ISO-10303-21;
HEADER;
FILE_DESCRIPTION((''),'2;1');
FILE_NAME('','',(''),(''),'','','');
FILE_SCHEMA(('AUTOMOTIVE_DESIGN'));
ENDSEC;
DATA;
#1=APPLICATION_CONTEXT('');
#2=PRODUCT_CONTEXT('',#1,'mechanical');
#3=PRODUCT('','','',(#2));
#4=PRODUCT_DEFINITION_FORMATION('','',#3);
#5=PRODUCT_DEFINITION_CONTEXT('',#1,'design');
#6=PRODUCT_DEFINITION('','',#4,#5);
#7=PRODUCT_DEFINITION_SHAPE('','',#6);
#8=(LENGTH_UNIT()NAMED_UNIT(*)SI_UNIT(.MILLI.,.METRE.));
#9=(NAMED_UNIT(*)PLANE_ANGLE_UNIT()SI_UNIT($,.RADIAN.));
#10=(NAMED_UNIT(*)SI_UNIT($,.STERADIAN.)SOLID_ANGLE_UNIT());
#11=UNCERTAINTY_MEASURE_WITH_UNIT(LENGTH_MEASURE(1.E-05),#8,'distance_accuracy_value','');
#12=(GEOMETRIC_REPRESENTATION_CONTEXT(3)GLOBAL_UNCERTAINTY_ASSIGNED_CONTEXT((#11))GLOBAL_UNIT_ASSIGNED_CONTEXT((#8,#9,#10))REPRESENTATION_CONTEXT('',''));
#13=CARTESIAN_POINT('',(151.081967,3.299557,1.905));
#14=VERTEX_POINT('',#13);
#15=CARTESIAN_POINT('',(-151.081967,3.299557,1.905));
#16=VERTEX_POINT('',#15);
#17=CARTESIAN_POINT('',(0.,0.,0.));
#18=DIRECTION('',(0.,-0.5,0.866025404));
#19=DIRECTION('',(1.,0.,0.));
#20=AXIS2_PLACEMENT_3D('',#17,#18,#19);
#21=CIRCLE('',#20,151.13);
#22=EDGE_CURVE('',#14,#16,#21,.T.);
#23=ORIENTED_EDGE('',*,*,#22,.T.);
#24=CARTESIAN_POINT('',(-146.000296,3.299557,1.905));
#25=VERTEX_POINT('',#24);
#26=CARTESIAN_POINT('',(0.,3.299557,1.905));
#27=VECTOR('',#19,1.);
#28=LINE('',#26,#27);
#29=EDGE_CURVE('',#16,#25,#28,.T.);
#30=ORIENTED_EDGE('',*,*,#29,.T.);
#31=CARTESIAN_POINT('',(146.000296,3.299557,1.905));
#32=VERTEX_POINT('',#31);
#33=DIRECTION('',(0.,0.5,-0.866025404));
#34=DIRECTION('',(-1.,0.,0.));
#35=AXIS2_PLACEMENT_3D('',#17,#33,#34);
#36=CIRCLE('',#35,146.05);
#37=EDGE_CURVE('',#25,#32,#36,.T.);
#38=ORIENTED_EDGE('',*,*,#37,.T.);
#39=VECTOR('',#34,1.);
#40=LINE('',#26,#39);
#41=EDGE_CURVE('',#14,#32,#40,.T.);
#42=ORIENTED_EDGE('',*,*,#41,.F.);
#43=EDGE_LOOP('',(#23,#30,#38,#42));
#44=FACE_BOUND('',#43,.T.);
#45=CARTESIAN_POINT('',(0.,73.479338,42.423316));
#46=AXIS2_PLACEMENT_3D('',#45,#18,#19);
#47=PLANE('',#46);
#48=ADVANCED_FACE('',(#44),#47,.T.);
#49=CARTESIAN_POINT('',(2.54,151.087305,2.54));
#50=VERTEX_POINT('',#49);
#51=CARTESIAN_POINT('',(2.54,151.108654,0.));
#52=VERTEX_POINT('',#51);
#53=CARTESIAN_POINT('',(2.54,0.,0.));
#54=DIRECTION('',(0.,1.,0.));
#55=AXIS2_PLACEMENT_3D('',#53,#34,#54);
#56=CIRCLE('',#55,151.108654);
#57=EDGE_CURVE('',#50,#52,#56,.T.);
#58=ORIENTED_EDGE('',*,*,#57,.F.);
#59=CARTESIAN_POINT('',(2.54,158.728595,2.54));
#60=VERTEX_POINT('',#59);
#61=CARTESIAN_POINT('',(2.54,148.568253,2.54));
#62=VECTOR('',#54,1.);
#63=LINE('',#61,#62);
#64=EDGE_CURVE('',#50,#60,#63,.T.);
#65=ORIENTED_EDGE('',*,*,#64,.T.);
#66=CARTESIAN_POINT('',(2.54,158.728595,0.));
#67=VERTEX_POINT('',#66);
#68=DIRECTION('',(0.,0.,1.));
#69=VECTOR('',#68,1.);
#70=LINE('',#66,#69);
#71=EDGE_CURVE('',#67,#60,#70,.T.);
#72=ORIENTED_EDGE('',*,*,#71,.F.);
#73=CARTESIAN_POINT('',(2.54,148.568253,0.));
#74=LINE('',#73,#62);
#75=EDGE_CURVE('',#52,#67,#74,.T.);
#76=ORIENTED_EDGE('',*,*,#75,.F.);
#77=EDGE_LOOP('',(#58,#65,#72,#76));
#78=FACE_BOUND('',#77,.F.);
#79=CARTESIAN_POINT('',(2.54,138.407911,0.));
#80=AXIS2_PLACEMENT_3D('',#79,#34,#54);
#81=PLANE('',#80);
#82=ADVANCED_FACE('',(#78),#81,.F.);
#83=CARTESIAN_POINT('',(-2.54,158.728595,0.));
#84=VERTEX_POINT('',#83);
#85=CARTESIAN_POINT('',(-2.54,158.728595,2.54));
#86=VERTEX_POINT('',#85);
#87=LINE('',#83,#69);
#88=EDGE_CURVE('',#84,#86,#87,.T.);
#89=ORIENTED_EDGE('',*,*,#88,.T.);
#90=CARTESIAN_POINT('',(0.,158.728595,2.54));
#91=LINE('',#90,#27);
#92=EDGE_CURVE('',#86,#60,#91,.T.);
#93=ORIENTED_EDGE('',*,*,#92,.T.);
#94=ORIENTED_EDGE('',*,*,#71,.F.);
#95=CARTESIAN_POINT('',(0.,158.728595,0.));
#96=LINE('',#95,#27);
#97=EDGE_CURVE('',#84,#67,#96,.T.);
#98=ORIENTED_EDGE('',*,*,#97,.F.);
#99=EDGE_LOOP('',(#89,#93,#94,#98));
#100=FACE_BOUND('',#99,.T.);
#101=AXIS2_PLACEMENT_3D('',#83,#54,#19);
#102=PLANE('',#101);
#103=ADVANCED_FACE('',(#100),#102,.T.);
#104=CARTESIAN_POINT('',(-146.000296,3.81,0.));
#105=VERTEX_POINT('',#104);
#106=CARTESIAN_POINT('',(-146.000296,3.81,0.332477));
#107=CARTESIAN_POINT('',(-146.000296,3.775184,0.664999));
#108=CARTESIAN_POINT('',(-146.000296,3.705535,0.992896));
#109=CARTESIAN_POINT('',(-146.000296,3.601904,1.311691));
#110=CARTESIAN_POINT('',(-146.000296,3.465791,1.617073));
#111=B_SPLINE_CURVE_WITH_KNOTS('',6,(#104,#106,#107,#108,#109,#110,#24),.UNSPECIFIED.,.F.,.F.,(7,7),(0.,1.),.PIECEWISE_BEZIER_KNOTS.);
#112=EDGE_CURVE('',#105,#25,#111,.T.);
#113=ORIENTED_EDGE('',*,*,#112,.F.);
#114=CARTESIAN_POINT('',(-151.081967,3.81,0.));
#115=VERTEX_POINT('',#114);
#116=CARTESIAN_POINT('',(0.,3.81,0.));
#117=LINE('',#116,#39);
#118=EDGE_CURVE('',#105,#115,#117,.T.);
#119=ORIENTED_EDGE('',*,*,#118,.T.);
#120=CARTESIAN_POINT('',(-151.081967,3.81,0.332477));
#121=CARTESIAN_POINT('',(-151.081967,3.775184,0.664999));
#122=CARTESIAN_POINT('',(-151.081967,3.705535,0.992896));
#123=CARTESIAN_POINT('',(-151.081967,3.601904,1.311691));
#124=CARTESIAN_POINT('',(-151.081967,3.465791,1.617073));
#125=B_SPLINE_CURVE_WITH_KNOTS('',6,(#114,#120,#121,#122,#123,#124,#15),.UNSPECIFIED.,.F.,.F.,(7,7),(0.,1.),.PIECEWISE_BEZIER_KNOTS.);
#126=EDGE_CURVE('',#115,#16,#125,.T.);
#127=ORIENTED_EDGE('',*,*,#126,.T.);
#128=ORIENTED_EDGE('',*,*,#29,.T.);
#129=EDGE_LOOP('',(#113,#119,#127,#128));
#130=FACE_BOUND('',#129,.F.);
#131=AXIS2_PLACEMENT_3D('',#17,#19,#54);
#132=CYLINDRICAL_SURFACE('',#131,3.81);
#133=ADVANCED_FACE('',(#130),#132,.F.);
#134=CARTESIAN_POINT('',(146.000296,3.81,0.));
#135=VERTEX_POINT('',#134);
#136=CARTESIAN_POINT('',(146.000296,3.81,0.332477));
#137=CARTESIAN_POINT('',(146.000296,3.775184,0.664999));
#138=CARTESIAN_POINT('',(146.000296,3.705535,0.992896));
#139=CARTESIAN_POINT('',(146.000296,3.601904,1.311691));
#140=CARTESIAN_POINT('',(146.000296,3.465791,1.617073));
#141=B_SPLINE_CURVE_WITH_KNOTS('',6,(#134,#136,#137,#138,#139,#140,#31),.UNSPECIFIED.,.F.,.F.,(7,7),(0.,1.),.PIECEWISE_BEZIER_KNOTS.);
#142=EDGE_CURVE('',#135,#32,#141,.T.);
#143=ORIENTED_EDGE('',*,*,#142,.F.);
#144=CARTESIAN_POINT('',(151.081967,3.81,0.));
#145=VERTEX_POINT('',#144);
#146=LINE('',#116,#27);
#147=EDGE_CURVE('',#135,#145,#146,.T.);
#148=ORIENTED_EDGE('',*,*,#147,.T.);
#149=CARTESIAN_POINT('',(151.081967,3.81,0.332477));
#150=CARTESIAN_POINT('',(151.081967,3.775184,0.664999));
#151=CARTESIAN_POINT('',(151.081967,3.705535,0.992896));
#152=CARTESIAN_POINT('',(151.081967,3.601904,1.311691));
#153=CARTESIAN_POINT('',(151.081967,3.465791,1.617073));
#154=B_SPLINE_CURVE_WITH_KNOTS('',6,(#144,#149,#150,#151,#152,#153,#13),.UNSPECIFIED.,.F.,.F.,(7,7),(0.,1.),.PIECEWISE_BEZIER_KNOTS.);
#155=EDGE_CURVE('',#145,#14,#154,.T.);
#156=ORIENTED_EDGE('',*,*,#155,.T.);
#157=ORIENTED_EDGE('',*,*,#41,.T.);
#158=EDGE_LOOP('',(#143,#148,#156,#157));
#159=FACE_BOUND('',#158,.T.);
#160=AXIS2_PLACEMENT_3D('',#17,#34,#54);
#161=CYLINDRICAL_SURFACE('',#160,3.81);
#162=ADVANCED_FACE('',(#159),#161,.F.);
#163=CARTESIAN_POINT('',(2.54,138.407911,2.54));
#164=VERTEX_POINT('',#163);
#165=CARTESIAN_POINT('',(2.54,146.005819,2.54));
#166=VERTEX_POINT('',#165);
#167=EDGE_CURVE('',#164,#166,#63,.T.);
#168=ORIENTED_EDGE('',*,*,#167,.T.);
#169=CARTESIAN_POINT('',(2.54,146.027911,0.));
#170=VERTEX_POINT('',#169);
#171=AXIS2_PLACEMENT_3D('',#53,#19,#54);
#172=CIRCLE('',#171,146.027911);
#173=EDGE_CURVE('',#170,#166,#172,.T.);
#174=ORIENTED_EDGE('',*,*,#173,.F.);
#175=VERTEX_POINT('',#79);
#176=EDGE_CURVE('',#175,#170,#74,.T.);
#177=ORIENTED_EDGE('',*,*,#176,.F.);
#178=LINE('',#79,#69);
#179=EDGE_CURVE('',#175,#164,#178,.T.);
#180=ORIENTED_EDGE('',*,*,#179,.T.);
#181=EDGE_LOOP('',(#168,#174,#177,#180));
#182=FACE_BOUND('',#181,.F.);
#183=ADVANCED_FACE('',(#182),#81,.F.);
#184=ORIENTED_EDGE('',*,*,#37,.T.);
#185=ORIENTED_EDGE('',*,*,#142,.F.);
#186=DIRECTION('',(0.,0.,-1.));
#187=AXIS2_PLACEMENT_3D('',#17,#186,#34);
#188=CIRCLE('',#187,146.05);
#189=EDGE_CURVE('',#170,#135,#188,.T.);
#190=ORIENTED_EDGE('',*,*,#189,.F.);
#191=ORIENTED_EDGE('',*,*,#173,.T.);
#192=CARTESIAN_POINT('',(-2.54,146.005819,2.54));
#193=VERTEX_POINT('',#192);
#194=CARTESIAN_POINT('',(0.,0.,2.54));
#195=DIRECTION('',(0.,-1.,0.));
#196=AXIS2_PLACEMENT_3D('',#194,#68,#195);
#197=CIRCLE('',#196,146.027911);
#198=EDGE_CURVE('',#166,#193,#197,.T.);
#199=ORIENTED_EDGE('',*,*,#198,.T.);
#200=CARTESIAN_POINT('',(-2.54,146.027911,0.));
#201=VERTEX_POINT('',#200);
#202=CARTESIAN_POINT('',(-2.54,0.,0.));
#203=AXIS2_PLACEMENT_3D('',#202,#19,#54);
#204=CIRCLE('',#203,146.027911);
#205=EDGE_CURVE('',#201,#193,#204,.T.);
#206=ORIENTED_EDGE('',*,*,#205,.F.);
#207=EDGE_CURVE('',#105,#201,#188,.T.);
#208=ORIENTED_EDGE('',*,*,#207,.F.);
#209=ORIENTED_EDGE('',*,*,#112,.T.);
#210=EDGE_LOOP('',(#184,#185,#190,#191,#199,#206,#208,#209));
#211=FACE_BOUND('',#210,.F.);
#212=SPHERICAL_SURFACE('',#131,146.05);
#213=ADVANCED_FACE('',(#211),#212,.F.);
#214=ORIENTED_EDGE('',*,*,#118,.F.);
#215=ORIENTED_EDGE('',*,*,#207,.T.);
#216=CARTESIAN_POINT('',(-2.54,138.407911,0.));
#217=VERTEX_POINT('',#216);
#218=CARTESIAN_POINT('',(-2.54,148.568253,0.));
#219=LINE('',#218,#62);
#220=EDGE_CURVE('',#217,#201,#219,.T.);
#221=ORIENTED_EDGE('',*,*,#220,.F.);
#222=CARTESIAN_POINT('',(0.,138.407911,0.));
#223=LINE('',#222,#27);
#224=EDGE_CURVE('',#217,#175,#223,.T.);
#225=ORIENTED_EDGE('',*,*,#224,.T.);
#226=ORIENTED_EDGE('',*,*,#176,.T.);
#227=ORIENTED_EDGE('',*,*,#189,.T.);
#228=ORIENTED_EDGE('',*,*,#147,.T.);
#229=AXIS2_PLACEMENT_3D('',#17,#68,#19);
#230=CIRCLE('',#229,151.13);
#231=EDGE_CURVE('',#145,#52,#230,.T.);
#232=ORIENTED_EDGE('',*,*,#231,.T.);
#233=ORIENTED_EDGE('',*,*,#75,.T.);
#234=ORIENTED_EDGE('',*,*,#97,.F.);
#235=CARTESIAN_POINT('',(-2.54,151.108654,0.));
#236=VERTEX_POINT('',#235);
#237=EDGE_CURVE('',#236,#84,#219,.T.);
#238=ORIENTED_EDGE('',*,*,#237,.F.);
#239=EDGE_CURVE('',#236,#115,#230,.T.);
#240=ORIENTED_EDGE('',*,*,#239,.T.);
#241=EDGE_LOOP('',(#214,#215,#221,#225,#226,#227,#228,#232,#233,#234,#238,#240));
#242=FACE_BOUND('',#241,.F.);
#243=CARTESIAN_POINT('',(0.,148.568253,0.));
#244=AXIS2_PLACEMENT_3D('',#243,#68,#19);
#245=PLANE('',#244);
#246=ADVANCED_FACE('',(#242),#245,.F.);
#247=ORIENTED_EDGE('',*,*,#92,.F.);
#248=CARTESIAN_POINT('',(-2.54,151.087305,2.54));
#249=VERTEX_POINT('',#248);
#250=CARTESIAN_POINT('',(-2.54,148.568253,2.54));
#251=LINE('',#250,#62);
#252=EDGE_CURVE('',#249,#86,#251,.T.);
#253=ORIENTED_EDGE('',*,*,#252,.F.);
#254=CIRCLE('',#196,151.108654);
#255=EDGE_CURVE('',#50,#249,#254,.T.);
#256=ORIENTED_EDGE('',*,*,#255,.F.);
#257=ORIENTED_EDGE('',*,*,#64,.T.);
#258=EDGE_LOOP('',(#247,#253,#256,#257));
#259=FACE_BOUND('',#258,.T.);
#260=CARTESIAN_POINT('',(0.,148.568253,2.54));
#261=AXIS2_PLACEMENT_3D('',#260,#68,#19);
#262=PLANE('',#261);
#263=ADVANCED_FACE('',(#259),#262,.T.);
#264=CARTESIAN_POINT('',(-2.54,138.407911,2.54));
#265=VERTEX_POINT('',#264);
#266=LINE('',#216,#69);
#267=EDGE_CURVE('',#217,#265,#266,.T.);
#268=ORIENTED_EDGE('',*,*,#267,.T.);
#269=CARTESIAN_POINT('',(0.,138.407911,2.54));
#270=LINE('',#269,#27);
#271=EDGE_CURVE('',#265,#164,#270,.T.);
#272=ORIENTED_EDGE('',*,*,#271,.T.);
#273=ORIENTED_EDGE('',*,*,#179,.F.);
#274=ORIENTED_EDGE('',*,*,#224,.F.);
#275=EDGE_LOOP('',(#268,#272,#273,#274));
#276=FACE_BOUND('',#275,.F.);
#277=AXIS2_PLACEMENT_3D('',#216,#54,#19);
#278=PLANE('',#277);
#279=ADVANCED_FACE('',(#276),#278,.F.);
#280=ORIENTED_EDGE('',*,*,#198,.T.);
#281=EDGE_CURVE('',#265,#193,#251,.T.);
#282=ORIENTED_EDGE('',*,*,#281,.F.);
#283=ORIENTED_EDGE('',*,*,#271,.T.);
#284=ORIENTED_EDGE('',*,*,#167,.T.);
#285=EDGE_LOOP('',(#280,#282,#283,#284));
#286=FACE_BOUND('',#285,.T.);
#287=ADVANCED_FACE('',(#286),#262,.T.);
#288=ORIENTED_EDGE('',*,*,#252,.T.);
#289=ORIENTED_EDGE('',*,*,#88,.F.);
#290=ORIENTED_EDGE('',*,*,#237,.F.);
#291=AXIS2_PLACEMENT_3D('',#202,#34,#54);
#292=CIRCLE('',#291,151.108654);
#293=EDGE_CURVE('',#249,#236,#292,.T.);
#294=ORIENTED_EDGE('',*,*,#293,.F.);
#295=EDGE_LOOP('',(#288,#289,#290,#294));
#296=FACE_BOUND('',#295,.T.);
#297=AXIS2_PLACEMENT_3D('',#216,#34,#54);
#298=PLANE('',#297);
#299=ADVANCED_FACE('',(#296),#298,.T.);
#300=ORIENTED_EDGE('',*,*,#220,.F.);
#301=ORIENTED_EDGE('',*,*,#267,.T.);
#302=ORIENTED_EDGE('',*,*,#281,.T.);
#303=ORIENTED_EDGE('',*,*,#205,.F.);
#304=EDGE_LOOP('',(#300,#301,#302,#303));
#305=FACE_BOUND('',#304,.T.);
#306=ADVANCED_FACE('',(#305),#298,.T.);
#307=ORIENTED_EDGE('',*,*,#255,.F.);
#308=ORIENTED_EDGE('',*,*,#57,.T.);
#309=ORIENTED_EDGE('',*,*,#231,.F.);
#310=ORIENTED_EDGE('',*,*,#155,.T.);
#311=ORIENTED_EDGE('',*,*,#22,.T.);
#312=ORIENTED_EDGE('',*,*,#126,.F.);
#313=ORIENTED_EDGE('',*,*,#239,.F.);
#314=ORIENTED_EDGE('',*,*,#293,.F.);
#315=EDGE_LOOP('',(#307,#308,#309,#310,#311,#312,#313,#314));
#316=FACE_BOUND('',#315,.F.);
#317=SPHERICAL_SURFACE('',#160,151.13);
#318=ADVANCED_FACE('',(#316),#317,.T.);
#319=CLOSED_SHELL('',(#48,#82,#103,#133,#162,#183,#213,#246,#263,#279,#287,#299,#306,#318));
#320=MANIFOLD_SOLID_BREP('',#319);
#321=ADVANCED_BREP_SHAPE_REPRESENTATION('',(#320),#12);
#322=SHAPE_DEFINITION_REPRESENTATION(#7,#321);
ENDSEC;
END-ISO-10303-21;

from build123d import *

# Parameters (mm, degrees)
F1_ANGLE      = 30
F2_R          = 3.81
F3_DEPTH      = 151.131
F3_DEPTH_BACK = 151.131
F4_W          = 5.08
F4_H          = 20.3206839475
F5_DEPTH      = 2.54


with BuildPart() as f1:
    # F0 (on Top) → F1 (revolve)
    with BuildSketch(Plane.XY):
        with BuildLine():
            Line((-151.13, 0), (-146.05, 0))
            ThreePointArc((-146.05, 0), (0, 146.05), (146.05, 0))
            Line((146.05, 0), (151.13, 0))
            ThreePointArc((151.13, 0), (0, 151.13), (-151.13, 0))
        make_face()
    revolve(axis=Axis((-73.025, 0, 0), (1, 0, 0)), revolution_arc=F1_ANGLE)

    # F2 (on Right) → F3 (cut, two sides)
    with BuildSketch(Plane.YZ) as f3_sk:
        Circle(F2_R)
    extrude(amount=-F3_DEPTH, mode=Mode.SUBTRACT)
    extrude(f3_sk.sketch, amount=F3_DEPTH_BACK, mode=Mode.SUBTRACT)

    # F4 (on Top) → F5 (join)
    with BuildSketch(Plane.XY):
        with Locations((0, 148.5682533469)):
            Rectangle(F4_W, F4_H)
    extrude(amount=F5_DEPTH)


solid = f1.part
